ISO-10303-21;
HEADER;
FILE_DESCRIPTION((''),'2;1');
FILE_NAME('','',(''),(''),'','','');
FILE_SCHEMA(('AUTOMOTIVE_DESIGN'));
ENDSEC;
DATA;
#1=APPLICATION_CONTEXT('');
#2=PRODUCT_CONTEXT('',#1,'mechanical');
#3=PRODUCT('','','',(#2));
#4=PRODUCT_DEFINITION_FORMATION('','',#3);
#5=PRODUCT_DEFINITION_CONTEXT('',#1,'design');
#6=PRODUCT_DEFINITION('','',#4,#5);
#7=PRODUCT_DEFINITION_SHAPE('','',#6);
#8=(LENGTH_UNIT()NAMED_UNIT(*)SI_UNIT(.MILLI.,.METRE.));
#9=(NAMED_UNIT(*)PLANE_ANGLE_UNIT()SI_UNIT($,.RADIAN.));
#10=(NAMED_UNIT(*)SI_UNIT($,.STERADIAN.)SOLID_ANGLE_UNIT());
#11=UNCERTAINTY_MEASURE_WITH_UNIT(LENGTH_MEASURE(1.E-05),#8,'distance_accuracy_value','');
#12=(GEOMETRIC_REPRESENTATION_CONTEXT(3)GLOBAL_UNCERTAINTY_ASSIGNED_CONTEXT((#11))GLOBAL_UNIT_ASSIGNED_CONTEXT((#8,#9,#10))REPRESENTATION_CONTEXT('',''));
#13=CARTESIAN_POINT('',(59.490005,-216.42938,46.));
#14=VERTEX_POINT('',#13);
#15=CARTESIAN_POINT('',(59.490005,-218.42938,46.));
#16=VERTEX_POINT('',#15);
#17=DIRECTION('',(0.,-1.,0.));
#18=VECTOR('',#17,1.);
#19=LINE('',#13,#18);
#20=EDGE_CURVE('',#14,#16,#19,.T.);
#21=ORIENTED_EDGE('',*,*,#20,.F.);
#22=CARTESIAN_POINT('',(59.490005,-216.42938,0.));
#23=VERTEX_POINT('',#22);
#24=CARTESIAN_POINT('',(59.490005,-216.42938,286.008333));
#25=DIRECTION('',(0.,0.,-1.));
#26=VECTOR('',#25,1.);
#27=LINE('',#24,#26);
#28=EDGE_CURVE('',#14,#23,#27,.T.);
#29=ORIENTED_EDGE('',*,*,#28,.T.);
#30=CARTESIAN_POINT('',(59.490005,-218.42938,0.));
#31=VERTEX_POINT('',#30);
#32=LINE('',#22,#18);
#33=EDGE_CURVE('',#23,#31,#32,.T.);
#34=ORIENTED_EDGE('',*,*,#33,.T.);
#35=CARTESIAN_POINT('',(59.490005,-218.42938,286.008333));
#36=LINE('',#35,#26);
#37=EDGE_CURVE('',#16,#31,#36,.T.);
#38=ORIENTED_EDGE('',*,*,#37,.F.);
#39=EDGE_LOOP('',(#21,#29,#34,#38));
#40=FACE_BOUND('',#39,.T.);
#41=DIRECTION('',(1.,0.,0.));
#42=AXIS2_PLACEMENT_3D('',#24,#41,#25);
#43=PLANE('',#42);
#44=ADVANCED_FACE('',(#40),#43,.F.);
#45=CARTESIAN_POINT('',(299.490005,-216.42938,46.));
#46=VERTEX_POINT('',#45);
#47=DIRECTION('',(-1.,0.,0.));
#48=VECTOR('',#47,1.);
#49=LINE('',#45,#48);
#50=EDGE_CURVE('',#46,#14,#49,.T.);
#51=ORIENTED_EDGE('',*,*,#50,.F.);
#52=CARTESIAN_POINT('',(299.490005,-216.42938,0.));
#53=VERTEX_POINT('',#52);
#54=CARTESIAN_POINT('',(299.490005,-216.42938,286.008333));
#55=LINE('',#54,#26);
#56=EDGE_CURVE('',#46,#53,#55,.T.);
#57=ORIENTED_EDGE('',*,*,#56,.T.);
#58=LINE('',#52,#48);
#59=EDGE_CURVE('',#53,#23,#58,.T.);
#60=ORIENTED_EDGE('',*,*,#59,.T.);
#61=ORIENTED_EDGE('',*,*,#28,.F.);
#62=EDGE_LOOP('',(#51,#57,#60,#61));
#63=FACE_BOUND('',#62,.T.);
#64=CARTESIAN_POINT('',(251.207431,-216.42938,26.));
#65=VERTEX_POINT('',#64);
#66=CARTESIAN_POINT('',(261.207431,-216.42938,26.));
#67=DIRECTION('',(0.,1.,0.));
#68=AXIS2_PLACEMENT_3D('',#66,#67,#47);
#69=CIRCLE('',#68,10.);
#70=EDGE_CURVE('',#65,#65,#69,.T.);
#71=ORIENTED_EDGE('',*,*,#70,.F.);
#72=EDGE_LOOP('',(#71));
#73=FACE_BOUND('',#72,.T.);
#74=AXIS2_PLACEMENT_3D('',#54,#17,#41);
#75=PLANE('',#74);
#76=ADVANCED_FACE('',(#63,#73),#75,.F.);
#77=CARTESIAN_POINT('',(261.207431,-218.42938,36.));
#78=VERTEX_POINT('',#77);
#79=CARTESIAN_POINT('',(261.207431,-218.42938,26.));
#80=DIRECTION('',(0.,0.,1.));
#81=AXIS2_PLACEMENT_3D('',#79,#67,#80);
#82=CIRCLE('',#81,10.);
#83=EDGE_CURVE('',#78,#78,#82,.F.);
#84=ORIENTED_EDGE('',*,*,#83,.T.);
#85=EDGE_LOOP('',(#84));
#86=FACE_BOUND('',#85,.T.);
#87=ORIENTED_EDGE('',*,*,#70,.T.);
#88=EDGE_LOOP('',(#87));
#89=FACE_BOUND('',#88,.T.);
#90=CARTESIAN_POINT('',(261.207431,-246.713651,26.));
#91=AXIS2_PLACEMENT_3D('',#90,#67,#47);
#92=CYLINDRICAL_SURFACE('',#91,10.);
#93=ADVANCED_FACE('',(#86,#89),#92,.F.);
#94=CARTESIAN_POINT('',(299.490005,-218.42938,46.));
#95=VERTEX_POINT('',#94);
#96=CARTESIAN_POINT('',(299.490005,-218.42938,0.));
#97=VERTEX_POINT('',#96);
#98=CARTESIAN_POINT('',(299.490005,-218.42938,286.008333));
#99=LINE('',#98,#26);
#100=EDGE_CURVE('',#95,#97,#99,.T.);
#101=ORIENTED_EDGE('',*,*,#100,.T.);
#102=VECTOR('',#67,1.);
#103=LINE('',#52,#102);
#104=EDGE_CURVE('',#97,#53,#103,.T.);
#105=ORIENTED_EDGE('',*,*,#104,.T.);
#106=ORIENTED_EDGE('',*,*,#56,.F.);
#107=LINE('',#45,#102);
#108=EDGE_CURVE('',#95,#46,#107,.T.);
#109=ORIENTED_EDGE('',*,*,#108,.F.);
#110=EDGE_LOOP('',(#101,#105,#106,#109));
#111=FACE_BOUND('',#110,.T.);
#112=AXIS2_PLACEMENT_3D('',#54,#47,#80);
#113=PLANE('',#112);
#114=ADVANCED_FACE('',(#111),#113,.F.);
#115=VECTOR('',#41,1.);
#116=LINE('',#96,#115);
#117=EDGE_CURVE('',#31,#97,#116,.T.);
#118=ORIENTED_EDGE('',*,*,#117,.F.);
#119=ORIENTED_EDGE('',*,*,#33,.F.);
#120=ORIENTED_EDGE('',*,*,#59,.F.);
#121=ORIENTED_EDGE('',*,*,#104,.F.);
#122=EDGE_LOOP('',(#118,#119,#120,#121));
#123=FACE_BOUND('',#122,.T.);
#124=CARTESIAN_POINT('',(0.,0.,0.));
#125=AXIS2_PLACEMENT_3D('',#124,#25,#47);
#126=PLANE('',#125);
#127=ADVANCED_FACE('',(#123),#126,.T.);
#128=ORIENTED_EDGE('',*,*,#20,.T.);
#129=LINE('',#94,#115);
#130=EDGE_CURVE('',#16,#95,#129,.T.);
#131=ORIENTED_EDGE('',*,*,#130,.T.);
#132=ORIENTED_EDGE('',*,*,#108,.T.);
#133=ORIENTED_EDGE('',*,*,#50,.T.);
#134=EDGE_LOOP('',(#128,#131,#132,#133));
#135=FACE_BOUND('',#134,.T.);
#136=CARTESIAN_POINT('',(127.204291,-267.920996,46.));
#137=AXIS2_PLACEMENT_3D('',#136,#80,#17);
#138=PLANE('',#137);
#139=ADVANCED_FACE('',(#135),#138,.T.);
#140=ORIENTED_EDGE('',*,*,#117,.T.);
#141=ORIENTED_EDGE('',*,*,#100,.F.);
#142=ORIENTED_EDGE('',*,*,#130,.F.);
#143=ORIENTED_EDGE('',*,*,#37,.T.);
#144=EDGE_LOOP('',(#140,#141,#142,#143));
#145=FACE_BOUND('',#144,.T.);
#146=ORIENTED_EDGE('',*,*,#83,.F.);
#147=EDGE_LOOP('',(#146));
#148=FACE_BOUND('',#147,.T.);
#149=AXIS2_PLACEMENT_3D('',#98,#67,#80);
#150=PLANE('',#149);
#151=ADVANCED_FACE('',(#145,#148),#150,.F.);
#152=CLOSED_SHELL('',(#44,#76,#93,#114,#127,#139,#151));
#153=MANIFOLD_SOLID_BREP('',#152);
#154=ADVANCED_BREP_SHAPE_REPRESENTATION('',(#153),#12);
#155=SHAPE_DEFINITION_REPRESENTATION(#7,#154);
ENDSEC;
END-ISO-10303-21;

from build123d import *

# Parameters (mm, degrees)
SKETCH1_W           = 240
SKETCH1_H           = 2
BOSS_EXTRUDE1_DEPTH = 46
SKETCH2_R           = 10
CUT_EXTRUDE1_DEPTH  = 2


with BuildPart() as part:
    # Sketch1 → Boss-Extrude1 (new body)
    with BuildSketch(Plane.XY):
        with Locations((179.490005303, -217.429379744)):
            Rectangle(SKETCH1_W, SKETCH1_H)
    extrude(amount=BOSS_EXTRUDE1_DEPTH)

    # Sketch2 → Cut-Extrude1 (cut)
    with BuildSketch(Plane(origin=(0, -216.429379744, 0), x_dir=(1, 0, 0), z_dir=(0, 1, 0))):
        with Locations(Location((261.207431356, -26, 0), (0, 0, 180))):
            Circle(SKETCH2_R)
    extrude(amount=-CUT_EXTRUDE1_DEPTH, mode=Mode.SUBTRACT)


solid = part.part
